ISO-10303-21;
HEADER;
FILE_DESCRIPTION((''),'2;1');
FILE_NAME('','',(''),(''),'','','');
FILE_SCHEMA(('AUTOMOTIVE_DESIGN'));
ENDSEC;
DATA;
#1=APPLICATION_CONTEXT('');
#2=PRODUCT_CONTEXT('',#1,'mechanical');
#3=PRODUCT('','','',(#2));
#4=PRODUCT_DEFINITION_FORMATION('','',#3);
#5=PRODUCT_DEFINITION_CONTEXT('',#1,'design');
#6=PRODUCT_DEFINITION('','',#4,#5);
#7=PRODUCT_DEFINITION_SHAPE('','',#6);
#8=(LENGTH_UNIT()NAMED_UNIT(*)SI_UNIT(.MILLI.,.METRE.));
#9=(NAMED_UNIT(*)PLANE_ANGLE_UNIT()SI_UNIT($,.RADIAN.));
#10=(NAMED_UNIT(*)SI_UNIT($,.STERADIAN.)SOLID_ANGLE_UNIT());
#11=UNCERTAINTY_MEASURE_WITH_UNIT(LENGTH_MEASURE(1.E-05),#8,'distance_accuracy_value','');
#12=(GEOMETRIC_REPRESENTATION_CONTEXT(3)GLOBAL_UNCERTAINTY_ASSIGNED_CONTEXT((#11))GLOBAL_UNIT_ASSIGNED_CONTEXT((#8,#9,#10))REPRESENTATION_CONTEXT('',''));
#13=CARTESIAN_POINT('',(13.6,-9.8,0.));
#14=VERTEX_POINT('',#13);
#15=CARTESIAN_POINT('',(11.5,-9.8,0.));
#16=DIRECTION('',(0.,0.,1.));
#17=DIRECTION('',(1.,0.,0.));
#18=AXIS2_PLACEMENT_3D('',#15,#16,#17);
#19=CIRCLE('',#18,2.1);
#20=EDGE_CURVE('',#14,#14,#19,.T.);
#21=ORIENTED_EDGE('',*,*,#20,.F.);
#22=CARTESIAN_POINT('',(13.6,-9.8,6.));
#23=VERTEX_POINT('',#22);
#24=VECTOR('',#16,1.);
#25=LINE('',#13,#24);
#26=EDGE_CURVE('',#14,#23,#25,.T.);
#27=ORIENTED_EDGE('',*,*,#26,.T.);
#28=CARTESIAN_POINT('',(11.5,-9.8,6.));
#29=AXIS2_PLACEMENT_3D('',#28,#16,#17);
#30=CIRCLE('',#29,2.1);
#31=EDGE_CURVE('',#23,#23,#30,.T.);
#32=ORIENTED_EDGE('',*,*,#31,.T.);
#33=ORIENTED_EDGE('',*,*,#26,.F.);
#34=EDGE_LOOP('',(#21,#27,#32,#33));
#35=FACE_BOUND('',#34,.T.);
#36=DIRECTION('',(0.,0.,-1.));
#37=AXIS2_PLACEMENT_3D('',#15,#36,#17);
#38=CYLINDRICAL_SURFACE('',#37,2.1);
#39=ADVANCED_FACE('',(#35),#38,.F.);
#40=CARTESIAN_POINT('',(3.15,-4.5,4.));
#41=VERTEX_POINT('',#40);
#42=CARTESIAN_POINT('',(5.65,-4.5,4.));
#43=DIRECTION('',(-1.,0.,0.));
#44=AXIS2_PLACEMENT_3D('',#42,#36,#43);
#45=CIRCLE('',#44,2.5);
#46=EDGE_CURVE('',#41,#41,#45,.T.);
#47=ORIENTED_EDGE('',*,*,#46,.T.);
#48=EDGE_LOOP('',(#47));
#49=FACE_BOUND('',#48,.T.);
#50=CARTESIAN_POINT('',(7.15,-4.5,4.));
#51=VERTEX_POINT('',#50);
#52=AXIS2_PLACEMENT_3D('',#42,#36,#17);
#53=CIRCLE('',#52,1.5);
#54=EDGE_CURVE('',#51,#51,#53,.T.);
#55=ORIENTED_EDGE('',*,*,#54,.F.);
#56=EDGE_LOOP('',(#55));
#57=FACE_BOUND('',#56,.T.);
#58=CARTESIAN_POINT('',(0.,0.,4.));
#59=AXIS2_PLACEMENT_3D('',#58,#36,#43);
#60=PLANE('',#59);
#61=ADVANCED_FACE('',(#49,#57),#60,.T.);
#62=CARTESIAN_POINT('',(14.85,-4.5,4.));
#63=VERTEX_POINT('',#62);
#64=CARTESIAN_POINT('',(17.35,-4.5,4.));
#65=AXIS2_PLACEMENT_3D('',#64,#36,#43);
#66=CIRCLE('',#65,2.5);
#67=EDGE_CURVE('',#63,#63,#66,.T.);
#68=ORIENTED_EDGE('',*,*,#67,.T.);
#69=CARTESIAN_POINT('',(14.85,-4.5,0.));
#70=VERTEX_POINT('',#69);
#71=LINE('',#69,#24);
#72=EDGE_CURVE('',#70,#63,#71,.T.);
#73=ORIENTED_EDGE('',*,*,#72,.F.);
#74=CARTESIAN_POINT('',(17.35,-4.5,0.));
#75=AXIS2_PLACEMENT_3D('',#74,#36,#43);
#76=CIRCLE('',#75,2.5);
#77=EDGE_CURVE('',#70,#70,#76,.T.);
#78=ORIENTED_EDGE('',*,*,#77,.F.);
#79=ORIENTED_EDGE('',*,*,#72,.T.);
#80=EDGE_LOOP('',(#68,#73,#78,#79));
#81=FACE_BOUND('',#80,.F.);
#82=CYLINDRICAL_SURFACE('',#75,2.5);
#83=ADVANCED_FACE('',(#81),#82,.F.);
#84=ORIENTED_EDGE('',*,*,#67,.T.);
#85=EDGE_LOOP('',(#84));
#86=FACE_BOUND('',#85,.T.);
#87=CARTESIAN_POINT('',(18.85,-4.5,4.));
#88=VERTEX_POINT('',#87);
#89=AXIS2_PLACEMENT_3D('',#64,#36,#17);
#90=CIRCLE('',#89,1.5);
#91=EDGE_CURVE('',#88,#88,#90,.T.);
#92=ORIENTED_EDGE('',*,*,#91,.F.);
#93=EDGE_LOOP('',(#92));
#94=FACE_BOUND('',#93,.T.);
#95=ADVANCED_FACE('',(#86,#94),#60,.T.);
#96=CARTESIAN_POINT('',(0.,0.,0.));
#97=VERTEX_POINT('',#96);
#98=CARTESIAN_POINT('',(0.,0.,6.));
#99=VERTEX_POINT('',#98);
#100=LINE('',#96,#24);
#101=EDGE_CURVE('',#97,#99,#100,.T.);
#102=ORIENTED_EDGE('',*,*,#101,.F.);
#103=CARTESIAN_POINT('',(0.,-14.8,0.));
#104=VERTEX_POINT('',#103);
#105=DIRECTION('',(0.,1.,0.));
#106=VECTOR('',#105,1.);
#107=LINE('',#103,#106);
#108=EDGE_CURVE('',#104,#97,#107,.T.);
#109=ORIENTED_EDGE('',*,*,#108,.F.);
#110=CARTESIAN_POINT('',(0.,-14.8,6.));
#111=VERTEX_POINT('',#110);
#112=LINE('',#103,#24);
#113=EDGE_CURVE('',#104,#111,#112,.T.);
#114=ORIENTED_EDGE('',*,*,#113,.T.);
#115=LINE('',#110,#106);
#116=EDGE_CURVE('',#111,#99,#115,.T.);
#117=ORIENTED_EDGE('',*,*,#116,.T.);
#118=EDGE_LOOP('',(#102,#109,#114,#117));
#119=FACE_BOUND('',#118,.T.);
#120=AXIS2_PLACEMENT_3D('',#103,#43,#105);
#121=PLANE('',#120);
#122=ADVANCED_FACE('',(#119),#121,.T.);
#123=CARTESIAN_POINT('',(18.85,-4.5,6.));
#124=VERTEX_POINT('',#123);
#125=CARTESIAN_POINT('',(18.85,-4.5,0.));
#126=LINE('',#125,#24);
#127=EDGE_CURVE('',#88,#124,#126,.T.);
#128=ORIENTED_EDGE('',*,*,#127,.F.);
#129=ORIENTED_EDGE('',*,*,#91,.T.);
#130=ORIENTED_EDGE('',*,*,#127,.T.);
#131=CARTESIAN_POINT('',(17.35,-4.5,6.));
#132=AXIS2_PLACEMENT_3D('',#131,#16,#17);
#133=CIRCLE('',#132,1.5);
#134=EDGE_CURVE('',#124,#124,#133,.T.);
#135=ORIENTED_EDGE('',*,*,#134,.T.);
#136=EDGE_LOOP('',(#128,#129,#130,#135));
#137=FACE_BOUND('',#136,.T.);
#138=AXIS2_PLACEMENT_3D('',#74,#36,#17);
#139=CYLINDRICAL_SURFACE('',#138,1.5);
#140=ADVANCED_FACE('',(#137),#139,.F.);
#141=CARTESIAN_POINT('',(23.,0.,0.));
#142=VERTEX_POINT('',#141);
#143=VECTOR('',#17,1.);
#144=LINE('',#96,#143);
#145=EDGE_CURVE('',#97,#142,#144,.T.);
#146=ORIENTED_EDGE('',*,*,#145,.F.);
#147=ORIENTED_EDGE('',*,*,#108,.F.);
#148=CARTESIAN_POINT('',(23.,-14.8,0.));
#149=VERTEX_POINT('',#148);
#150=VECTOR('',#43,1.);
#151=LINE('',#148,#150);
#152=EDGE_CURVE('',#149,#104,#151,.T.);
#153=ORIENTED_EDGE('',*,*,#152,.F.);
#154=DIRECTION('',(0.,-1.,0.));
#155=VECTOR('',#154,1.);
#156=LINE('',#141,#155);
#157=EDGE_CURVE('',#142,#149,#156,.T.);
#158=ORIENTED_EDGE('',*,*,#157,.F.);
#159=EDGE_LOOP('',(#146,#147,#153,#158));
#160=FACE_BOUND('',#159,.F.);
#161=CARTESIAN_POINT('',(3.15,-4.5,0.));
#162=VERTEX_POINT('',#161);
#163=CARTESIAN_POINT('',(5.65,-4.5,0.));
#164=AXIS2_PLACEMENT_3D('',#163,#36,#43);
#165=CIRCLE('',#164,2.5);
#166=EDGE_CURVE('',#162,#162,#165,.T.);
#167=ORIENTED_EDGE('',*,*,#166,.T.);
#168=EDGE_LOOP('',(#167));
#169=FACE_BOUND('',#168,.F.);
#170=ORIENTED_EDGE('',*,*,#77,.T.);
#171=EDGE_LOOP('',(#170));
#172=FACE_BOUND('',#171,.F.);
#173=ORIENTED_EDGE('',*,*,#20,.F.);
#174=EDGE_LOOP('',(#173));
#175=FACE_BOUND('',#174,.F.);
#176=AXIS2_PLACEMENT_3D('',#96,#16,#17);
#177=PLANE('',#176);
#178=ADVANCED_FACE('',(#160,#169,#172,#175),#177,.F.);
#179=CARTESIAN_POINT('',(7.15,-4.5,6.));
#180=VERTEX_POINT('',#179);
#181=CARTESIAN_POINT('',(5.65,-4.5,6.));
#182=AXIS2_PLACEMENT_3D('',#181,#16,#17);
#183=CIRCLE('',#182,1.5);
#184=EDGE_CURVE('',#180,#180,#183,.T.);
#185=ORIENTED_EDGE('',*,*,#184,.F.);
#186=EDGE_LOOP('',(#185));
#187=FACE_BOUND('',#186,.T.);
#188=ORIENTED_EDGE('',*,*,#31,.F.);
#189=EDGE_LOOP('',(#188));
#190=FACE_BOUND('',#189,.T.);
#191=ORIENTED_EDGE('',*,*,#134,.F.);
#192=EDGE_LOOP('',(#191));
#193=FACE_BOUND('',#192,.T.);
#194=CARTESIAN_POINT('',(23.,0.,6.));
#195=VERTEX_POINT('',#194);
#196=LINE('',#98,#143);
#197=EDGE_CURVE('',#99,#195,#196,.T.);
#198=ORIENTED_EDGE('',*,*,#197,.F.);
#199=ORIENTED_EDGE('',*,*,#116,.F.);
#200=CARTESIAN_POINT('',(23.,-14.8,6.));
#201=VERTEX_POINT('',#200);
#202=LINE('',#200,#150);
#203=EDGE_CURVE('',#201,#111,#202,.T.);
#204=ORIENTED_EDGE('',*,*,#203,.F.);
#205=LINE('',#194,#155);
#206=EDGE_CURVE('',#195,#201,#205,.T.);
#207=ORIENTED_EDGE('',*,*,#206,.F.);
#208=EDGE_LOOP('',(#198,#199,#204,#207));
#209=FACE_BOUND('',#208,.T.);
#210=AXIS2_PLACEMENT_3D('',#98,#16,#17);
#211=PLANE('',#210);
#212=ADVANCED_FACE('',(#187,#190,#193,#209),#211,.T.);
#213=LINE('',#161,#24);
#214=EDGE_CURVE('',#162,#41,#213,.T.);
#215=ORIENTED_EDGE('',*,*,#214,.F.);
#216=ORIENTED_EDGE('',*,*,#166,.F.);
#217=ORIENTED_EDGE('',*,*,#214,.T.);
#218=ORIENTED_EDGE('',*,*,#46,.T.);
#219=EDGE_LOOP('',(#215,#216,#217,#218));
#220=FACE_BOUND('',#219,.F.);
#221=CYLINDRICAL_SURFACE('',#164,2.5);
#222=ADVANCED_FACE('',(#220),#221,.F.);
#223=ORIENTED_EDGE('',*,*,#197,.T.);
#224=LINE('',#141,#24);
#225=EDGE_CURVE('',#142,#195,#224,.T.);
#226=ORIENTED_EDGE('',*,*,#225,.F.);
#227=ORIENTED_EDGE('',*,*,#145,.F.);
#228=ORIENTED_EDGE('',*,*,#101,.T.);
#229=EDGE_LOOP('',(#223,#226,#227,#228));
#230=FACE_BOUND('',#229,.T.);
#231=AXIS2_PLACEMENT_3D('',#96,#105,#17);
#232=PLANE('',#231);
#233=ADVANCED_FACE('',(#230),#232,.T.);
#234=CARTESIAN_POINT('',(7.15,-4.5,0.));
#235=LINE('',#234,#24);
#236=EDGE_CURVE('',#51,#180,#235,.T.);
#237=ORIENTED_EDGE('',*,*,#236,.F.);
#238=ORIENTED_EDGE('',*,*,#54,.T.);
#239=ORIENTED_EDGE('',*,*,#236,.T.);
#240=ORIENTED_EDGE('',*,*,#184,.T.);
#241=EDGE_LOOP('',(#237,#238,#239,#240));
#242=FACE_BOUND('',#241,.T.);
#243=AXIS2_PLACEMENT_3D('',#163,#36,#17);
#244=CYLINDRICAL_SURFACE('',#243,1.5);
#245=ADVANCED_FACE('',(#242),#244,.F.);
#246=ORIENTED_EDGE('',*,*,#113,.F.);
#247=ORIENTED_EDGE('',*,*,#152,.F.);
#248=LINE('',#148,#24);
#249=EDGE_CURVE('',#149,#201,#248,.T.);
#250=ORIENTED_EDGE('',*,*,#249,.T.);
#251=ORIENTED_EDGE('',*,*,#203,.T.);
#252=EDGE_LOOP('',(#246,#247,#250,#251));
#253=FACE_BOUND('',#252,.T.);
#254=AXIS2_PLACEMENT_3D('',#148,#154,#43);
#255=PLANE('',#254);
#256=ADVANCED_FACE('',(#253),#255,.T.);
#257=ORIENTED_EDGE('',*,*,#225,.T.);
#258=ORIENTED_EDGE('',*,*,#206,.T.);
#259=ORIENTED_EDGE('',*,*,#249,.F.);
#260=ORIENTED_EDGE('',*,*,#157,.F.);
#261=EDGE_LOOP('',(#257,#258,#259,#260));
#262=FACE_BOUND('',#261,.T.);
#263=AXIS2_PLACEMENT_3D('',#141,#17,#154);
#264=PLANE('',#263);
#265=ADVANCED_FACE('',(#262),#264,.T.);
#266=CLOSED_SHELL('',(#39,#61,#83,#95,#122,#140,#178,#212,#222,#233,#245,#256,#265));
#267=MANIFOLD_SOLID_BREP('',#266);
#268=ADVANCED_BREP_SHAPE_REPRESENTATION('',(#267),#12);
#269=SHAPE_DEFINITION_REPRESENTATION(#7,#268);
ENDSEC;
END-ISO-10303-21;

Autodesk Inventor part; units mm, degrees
ref_plane "YZ Plane" through (0, 0, 0) normal (1, 0, 0) x (0, 1, 0)
ref_plane "XZ Plane" through (0, 0, 0) normal (0, 1, 0) x (-1, 0, 0)
ref_plane "XY Plane" through (0, 0, 0) normal (0, 0, 1) x (1, 0, 0)
sketch "Sketch1" plane through (0, 0, 0) normal (0, 0, 1) x (1, 0, 0)
  line L0 (0, 0) -> (23, 0)
  line L1 (23, 0) -> (23, -14.8)
  line L2 (23, -14.8) -> (0, -14.8)
  line L3 (0, -14.8) -> (0, 0)
  circle A0 centre (5.65, -4.5) radius 1.5
  circle A1 centre (17.35, -4.5) radius 1.5
  circle A2 centre (11.5, -9.8) radius 2.1
  dimension "d0" = 23
  dimension "d1" = 14.8
  dimension "d2" = 4.5
  dimension "d3" = 11.7
  dimension "d4" = 5.65
  dimension "d5" = 5.65
  dimension "d6" = 11.5
  dimension "d7" = 5
  dimension "d8" = 3
  dimension "d9" = 3
  dimension "d10" = 4.2
extrude "Extrusion1" add sketch "Sketch1" along normal blind 6
sketch "Sketch2" plane through (0, 0, 0) normal (0, 0, -1) x (-1, 0, 0)
  circle A0 centre (-17.35, -4.5) radius 1.5 projected
  circle A1 centre (-17.35, -4.5) radius 2.5
  circle A2 centre (-5.65, -4.5) radius 1.5 projected
  circle A3 centre (-5.65, -4.5) radius 2.5
  point P0 (0, 0)
  dimension "d13" = 5
  dimension "d14" = 5
extrude "Extrusion2" cut sketch "Sketch2" against normal blind 4
equation "\"d4\" = -0.5 * d3 + 0.5 * d0"
equation "\"d5\" = d4"
equation "\"d6\" = 0.5 * d0"
equation "\"d9\" = d8"
equation "\"d14\" = d13"
properties part number "cam m6 replacement v01"
